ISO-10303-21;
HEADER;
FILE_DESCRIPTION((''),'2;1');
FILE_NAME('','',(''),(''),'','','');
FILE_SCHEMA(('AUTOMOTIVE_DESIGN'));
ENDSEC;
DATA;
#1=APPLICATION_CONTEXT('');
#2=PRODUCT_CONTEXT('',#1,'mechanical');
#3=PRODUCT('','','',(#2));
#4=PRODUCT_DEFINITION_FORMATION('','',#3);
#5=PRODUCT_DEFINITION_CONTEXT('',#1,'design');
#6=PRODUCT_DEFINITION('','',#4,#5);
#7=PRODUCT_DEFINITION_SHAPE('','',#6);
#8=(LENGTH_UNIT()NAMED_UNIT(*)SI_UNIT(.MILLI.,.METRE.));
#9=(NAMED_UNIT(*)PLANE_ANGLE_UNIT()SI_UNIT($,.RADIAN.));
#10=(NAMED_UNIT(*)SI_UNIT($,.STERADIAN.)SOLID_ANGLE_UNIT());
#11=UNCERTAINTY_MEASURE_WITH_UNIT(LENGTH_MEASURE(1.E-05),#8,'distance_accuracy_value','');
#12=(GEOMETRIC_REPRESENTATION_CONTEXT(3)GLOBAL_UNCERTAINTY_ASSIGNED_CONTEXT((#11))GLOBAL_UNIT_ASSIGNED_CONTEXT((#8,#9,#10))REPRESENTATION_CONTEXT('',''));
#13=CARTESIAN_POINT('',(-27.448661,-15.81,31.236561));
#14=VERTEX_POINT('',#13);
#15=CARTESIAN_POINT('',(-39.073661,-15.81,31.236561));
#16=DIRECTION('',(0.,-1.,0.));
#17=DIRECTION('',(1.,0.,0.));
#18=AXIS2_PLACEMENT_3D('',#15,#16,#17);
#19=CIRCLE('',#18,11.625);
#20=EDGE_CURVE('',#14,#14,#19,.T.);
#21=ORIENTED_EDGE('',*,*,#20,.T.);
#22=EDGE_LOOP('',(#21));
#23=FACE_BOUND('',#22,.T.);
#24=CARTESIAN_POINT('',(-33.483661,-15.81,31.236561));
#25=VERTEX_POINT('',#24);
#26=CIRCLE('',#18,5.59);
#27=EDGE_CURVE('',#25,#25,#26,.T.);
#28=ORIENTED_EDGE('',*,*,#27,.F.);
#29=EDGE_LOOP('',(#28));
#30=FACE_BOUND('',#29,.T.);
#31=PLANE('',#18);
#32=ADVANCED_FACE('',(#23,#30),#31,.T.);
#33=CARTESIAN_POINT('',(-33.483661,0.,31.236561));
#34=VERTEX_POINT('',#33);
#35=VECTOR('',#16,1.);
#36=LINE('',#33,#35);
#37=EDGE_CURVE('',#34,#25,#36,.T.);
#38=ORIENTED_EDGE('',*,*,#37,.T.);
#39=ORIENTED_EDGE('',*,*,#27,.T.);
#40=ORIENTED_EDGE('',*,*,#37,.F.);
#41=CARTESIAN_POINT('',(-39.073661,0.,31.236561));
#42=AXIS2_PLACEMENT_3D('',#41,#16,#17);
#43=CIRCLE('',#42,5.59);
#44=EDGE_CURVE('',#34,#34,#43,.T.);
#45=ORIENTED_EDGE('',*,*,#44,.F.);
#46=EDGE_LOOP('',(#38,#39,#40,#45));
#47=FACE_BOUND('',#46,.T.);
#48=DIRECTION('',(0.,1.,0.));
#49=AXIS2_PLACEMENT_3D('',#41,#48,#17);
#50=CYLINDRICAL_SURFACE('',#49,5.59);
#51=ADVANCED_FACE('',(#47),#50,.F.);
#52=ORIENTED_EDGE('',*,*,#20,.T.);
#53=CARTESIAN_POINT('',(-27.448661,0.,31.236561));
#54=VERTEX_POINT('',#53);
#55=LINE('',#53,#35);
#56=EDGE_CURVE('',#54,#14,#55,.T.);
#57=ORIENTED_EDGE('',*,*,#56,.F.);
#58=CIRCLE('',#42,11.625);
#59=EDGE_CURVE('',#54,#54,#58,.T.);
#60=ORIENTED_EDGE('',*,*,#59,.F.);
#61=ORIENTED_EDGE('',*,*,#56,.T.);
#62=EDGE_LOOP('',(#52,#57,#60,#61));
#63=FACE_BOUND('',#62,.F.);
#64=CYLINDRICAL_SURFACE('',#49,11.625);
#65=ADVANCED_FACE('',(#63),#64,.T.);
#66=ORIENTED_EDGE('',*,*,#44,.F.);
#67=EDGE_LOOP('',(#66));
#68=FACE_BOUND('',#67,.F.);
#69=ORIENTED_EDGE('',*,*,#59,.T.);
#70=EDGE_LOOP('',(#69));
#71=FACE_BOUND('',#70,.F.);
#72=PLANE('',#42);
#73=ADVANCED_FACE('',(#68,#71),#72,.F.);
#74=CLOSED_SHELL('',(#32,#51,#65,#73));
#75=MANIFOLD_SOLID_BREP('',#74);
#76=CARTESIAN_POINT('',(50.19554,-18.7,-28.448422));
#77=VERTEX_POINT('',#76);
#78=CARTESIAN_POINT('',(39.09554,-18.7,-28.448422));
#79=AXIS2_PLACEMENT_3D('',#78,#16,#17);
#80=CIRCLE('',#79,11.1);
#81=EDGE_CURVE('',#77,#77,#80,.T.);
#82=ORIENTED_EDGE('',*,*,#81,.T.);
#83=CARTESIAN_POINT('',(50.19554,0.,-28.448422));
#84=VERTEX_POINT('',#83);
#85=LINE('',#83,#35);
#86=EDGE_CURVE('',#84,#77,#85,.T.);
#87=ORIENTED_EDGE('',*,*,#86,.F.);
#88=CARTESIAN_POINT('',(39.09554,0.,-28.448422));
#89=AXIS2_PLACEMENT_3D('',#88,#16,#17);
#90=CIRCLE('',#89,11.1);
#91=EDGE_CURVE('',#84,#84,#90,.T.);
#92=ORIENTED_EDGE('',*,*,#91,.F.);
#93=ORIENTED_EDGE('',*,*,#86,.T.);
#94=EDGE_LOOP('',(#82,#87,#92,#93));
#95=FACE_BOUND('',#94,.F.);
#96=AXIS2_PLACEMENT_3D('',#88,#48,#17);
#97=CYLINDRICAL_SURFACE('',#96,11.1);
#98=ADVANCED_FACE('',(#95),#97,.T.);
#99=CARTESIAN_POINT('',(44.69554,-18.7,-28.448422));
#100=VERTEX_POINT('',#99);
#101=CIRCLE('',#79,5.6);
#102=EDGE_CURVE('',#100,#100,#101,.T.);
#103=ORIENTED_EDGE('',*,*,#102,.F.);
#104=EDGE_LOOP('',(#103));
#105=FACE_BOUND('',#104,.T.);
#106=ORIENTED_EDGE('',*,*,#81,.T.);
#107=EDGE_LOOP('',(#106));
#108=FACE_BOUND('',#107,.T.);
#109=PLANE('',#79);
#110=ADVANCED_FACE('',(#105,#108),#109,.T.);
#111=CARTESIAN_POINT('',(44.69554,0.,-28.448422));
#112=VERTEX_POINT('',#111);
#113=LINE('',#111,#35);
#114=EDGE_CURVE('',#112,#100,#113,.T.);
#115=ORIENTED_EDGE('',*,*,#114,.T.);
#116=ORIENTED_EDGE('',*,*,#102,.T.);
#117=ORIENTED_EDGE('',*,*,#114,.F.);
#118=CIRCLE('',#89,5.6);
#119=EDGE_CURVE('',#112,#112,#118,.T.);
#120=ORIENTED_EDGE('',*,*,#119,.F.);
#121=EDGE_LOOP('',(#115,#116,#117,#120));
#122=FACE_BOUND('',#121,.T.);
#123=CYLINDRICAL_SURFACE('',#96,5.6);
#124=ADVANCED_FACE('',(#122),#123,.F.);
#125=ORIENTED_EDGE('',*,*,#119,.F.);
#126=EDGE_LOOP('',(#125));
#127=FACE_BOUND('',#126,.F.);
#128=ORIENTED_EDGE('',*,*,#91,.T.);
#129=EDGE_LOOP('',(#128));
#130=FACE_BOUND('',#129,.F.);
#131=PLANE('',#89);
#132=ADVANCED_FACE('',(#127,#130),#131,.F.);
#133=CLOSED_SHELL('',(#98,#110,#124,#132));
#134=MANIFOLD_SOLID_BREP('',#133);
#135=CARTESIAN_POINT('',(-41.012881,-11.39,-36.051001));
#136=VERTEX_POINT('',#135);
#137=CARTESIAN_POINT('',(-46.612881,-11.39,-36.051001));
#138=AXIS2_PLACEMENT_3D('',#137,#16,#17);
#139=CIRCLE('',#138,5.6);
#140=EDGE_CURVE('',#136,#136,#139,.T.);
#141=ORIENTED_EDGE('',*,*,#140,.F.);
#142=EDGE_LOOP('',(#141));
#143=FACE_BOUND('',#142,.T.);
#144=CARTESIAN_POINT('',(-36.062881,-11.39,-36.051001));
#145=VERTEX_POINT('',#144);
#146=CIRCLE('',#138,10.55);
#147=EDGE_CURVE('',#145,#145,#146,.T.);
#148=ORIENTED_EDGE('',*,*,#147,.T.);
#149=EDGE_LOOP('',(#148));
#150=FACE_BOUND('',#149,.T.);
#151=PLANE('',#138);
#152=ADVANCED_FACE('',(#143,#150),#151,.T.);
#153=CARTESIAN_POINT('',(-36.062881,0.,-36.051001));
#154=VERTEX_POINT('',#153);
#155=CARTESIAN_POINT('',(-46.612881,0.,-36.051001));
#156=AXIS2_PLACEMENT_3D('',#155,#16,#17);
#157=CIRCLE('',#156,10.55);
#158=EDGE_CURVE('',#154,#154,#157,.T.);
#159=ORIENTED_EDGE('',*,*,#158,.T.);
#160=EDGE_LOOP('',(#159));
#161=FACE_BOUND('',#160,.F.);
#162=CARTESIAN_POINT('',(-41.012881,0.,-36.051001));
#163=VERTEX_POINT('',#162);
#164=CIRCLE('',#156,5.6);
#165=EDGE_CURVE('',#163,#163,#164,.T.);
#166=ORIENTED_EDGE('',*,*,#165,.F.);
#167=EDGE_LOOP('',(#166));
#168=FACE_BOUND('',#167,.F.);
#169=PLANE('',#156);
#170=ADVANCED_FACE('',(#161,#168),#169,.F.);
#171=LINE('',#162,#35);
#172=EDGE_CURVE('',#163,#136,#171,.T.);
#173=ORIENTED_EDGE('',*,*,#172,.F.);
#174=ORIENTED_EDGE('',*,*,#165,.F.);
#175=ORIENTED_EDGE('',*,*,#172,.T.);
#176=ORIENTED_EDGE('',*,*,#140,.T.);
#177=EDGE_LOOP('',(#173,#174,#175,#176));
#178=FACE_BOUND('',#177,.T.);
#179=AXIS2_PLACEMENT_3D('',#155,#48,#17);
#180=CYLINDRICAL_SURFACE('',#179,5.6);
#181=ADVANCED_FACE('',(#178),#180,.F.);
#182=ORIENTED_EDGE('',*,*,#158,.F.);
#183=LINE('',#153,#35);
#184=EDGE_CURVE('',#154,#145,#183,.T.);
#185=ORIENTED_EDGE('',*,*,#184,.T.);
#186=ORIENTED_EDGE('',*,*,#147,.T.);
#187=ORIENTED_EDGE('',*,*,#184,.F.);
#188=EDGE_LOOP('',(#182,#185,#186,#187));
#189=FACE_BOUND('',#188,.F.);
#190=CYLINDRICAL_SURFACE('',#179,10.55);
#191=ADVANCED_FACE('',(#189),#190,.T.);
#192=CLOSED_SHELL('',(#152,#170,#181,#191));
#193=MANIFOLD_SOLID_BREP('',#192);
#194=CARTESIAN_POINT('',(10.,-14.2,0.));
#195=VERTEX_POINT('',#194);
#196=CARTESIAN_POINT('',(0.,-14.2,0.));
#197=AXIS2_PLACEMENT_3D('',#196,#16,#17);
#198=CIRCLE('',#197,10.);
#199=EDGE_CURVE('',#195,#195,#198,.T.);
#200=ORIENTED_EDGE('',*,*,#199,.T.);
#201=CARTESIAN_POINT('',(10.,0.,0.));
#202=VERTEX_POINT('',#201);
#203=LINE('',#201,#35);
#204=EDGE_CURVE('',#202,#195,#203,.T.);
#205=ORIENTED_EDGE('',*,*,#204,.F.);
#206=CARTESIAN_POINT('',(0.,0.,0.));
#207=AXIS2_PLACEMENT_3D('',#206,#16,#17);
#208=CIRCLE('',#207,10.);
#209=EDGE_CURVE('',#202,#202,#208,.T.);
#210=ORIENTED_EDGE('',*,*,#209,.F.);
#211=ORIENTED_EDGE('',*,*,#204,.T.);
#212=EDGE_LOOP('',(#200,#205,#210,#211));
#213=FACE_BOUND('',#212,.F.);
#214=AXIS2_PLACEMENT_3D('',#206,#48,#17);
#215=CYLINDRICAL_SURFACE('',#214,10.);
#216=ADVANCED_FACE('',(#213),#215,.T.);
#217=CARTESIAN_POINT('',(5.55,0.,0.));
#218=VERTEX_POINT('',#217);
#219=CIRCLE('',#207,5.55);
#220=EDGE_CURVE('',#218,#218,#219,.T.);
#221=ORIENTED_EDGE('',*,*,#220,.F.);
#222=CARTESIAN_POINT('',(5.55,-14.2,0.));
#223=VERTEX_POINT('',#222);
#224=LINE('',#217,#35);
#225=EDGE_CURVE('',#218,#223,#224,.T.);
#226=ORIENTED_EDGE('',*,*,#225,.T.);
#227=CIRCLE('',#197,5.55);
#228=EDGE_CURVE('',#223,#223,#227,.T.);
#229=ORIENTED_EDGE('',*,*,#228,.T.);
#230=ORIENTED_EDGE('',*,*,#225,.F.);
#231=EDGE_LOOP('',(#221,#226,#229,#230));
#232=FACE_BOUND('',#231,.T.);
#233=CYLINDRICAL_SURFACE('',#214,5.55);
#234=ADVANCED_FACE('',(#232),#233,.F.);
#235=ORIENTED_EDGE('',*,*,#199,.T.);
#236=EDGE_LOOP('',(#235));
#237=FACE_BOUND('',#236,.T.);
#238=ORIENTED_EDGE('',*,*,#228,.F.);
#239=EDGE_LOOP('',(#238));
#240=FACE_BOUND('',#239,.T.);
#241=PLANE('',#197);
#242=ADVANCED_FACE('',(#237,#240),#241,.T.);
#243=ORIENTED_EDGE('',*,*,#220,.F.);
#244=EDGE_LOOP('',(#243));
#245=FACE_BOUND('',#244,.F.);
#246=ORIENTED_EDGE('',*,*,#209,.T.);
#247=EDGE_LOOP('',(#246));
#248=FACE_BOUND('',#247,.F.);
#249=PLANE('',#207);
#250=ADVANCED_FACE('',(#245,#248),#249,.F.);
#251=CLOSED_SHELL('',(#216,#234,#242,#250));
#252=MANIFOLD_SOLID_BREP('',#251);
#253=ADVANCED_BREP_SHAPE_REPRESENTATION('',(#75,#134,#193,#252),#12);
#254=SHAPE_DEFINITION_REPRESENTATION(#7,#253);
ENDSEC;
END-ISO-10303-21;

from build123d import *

# Parameters (mm, degrees)
F0_R     = 10
F0_R_2   = 5.55
F1_DEPTH = 14.2
F2_R     = 11.625
F2_R_2   = 5.59
F3_DEPTH = 15.81
F4_R     = 10.55
F4_R_2   = 5.6
F5_DEPTH = 11.39
F6_R     = 11.1
F6_R_2   = 5.6
F7_DEPTH = 18.7


with BuildPart() as f1:
    # F0 (on Front) → F1 (new body)
    with BuildSketch(Plane.XZ):
        Circle(F0_R)
        Circle(F0_R_2, mode=Mode.SUBTRACT)
    extrude(amount=F1_DEPTH)


with BuildPart() as f3:
    # F2 (on Front) → F3 (new body)
    with BuildSketch(Plane.XZ):
        with Locations((-39.073661, 31.236561)):
            Circle(F2_R)
        with Locations((-39.073661, 31.236561)):
            Circle(F2_R_2, mode=Mode.SUBTRACT)
    extrude(amount=F3_DEPTH)


with BuildPart() as f5:
    # F4 (on Front) → F5 (new body)
    with BuildSketch(Plane.XZ):
        with Locations((-46.612881, -36.051001)):
            Circle(F4_R)
        with Locations((-46.612881, -36.051001)):
            Circle(F4_R_2, mode=Mode.SUBTRACT)
    extrude(amount=F5_DEPTH)


with BuildPart() as f7:
    # F6 (on Front) → F7 (new body)
    with BuildSketch(Plane.XZ):
        with Locations((39.09554, -28.448422)):
            Circle(F6_R)
        with Locations((39.09554, -28.448422)):
            Circle(F6_R_2, mode=Mode.SUBTRACT)
    extrude(amount=F7_DEPTH)


solid = Compound([f1.part, f3.part, f5.part, f7.part])
